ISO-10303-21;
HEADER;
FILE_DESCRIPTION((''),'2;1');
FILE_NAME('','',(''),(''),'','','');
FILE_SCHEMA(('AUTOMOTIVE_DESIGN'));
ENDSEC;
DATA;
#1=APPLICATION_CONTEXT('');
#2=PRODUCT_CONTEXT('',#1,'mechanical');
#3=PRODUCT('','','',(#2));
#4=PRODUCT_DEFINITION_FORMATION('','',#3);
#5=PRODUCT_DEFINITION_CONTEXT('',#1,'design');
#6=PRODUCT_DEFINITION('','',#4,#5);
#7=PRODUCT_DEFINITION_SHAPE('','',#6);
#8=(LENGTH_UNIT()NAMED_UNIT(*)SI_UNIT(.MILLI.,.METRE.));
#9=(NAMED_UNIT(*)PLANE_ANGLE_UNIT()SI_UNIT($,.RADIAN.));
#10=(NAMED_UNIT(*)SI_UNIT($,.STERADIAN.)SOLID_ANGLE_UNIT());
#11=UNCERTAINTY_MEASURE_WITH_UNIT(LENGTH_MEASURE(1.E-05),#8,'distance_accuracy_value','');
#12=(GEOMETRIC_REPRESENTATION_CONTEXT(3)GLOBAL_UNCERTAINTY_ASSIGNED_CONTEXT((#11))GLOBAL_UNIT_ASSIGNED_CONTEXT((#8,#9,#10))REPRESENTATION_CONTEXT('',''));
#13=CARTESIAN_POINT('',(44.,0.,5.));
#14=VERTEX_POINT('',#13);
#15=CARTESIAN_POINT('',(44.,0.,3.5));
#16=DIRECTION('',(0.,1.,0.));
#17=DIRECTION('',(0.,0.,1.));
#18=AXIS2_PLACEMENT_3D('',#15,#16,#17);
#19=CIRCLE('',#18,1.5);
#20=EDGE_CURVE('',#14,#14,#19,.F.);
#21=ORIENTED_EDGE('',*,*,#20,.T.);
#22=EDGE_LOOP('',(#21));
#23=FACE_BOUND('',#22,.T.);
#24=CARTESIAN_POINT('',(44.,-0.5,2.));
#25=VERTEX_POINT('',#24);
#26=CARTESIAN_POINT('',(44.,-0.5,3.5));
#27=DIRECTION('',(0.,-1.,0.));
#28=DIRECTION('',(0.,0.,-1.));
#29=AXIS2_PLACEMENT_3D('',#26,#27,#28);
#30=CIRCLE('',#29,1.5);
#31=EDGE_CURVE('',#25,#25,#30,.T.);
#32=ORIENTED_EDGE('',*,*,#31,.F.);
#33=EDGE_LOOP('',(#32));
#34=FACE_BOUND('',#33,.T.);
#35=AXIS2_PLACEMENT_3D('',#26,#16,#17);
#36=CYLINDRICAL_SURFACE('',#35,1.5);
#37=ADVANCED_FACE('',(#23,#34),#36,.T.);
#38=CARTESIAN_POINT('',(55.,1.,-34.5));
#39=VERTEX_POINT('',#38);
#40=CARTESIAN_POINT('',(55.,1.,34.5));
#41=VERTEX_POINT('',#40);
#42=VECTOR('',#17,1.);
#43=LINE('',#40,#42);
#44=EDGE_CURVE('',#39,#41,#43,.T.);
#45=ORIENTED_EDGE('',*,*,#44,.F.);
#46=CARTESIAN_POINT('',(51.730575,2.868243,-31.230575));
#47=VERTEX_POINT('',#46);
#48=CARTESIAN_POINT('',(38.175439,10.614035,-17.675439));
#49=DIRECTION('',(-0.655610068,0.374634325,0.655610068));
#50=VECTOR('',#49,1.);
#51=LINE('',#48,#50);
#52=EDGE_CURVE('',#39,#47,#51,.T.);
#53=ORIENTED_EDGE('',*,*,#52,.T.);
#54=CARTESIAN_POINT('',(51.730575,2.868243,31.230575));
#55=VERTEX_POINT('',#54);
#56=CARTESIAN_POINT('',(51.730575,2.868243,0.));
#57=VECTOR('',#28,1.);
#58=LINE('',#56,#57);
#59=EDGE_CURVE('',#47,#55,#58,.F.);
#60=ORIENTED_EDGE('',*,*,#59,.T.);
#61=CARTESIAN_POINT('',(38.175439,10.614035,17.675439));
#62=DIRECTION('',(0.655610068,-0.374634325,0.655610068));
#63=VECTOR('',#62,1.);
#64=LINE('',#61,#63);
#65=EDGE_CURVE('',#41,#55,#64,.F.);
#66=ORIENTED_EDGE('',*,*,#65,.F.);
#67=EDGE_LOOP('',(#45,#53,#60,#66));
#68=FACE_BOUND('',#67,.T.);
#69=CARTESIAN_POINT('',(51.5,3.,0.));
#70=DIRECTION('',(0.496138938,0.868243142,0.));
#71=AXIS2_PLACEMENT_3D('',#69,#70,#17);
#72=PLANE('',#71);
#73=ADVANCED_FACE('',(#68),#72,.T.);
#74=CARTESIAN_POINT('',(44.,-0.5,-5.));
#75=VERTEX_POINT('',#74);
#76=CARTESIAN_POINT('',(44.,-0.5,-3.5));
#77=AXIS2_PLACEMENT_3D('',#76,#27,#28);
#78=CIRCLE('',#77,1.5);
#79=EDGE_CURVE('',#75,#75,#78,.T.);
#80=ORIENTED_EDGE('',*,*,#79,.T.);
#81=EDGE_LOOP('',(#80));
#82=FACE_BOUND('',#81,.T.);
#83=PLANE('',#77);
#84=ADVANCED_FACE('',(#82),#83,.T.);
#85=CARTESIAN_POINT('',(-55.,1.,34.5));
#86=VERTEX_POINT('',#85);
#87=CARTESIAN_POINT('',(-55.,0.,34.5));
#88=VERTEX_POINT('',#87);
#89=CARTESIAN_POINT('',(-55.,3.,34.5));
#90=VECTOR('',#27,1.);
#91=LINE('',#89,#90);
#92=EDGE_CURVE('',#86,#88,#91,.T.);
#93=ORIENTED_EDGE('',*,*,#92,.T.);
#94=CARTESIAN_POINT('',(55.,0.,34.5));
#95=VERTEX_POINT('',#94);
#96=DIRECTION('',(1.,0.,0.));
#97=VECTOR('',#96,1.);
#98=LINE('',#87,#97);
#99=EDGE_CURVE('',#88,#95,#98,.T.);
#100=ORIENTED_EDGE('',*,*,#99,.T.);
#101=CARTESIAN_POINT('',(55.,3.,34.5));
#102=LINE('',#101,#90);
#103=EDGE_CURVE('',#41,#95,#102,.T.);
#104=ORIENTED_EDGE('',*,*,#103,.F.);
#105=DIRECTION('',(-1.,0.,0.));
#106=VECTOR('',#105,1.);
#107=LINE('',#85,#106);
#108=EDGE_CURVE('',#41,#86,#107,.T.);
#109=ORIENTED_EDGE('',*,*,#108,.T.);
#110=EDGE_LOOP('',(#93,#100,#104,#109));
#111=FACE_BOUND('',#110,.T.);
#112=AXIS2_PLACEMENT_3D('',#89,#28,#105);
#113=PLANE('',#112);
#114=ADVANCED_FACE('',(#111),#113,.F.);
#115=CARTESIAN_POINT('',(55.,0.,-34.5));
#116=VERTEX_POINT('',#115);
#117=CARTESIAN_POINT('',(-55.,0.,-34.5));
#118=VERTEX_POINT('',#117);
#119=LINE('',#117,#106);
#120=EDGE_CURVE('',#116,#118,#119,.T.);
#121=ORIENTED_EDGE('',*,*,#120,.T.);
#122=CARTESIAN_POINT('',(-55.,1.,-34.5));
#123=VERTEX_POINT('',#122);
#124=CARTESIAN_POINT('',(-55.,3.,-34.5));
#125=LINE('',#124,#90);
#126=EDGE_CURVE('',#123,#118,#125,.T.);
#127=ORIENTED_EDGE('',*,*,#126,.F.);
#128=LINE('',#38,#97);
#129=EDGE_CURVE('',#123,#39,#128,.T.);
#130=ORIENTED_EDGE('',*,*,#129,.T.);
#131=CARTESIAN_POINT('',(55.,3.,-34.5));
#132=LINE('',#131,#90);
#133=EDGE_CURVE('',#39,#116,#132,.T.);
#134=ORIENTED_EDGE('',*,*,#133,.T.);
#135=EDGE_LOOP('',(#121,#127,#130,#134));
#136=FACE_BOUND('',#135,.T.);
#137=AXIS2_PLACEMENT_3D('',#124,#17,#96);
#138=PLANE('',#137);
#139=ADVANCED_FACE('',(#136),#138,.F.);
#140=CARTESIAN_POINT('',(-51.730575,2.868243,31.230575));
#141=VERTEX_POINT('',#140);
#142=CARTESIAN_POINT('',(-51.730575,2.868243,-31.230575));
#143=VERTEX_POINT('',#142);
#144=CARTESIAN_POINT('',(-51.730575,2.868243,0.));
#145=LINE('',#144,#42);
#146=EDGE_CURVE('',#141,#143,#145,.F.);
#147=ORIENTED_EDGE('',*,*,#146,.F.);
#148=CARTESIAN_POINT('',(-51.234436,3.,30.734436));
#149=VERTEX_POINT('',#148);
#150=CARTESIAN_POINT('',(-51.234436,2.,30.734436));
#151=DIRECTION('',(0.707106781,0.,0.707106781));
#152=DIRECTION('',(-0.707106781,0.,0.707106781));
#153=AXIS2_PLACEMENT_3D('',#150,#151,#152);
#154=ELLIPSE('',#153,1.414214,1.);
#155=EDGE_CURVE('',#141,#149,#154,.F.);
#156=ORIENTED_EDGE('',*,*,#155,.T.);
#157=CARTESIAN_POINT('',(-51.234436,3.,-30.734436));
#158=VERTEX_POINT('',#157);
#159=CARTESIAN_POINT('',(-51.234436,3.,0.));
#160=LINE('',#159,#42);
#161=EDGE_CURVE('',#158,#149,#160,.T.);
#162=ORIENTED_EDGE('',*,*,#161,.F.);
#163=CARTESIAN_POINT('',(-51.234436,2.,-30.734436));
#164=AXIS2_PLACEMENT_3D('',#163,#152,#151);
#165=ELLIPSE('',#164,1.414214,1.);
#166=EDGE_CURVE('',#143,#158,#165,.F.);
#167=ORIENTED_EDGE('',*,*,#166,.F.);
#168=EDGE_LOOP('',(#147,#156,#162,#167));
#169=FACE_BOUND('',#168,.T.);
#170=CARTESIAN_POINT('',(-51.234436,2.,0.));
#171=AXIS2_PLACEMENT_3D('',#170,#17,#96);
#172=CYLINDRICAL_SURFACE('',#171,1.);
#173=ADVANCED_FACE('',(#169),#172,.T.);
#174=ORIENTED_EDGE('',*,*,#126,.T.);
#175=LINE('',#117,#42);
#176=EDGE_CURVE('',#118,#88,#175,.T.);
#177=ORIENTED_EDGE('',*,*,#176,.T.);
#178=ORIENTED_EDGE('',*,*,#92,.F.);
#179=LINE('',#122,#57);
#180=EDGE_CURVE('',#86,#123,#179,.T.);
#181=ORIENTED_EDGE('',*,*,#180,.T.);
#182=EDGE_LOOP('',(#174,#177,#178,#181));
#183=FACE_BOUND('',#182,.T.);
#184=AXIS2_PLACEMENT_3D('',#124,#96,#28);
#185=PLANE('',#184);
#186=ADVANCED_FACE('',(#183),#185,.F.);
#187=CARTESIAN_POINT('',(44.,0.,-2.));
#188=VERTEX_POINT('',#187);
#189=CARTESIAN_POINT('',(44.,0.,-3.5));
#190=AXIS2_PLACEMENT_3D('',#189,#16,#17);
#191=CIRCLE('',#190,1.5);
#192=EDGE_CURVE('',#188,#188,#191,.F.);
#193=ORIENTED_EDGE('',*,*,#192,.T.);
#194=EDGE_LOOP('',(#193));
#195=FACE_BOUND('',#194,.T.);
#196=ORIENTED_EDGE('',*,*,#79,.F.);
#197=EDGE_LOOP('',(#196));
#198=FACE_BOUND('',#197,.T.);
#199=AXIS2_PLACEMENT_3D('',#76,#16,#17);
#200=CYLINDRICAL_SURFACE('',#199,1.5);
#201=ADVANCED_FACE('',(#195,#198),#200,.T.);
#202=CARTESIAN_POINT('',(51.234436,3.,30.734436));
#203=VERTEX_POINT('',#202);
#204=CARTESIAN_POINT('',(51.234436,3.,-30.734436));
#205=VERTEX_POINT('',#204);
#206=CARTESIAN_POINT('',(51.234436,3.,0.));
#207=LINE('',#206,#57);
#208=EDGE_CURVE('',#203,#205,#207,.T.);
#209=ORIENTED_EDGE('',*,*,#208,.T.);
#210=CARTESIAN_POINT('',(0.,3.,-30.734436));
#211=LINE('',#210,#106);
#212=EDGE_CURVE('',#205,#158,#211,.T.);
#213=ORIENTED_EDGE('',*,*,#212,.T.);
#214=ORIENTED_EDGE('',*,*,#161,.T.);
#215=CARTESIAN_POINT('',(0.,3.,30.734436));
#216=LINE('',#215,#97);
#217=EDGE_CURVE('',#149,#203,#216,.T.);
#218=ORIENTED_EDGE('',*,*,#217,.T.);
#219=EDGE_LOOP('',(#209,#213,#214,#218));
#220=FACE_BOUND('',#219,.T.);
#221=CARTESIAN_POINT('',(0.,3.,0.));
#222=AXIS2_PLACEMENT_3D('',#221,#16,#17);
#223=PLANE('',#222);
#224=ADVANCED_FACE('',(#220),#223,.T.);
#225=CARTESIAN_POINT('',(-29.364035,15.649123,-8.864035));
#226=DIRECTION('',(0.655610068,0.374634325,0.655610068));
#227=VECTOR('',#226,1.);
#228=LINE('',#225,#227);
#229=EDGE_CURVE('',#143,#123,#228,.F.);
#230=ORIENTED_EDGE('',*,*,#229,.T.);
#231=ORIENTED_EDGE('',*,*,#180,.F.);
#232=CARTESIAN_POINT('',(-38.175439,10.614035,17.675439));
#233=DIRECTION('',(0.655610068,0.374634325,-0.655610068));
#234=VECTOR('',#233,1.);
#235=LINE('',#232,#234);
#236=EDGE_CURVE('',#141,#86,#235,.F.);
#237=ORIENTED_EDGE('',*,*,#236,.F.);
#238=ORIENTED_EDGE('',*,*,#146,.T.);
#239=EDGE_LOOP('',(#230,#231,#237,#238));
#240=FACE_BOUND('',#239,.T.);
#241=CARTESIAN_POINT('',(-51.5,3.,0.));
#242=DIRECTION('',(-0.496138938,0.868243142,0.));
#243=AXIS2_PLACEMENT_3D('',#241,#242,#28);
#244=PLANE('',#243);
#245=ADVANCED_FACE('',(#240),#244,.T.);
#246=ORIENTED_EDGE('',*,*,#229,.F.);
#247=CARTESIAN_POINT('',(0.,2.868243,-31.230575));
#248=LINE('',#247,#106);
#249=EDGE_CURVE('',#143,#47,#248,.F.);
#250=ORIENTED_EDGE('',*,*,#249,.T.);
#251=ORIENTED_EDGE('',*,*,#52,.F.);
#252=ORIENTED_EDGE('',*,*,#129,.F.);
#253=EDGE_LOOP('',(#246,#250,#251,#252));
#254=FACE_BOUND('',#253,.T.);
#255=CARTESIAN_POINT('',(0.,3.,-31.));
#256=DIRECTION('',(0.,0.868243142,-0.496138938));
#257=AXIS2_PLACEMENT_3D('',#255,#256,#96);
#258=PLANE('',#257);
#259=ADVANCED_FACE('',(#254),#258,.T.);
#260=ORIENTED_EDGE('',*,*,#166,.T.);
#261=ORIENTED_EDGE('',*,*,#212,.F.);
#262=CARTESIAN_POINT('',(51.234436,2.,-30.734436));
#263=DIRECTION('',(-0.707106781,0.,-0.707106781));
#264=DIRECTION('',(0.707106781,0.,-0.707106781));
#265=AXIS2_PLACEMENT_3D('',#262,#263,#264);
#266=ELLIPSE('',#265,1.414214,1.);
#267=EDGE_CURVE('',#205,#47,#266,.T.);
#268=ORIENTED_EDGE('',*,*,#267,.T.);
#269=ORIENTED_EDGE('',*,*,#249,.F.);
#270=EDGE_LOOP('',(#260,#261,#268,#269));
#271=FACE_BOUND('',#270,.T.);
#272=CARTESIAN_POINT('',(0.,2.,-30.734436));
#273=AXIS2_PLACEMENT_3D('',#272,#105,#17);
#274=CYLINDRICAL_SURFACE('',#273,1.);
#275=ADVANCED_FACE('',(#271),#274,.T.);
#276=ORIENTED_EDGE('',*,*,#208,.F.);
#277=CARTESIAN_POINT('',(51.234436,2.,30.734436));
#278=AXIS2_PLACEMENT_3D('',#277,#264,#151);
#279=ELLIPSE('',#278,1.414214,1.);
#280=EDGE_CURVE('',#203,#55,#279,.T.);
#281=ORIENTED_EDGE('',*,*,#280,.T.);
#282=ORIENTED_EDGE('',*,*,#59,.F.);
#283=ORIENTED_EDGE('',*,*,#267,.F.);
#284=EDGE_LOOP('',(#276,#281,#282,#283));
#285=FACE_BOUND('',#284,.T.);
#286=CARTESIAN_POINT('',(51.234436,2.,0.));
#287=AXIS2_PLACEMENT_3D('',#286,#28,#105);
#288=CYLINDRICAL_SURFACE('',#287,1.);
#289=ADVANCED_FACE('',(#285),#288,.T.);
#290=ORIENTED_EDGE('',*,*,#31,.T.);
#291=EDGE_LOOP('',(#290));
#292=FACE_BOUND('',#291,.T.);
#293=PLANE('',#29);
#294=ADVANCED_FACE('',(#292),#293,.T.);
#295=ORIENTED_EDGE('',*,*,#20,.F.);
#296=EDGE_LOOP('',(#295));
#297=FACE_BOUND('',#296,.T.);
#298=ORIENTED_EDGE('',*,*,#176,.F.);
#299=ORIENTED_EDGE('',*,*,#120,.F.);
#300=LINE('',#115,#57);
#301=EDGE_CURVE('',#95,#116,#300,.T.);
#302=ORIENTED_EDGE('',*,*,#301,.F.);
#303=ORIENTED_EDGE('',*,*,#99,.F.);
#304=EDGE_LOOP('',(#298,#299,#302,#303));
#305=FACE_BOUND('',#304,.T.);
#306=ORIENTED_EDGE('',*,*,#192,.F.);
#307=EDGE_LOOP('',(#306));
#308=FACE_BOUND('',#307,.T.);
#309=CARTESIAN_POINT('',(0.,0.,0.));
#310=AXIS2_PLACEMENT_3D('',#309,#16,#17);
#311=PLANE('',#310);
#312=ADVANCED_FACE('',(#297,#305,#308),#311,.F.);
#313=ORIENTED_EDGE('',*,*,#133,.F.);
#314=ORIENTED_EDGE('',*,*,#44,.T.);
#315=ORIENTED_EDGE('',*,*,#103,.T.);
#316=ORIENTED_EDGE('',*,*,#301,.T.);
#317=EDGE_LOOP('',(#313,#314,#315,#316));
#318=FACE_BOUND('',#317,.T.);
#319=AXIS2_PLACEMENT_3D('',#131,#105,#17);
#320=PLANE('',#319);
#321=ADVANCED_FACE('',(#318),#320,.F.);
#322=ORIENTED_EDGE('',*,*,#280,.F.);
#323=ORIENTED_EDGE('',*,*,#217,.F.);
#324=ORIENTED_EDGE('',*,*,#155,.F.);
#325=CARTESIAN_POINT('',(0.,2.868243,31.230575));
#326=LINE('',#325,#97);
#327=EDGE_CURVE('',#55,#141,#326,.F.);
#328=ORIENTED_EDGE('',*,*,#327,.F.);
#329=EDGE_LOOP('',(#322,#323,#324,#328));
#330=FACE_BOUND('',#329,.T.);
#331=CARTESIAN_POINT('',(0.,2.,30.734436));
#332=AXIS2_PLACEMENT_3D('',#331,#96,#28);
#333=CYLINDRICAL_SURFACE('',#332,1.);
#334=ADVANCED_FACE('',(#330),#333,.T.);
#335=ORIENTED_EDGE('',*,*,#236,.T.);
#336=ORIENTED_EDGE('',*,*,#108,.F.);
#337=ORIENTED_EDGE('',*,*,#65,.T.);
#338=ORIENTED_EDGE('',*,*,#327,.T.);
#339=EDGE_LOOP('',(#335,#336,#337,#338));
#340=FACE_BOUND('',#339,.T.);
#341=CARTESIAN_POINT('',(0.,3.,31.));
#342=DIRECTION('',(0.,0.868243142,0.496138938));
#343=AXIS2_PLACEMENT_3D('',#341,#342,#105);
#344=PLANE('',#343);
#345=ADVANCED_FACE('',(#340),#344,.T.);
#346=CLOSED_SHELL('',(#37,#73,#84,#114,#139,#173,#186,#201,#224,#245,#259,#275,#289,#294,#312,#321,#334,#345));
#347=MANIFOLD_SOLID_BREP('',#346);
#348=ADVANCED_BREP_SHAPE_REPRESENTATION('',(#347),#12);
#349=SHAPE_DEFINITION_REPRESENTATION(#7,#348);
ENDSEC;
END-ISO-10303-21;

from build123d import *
from OCP.BRepFilletAPI import BRepFilletAPI_MakeChamfer

# Parameters (mm, degrees)
SKETCH1_W           = 110
SKETCH1_H           = 69
BOSS_EXTRUDE1_DEPTH = 3
CHAMFER1_SIZE       = 2
CHAMFER1_SIZE2      = 3.5
FILLET1_R           = 1
SKETCH2_R           = 1.5
BOSS_EXTRUDE2_DEPTH = 0.5


with BuildPart() as part:
    # Sketch1 → Boss-Extrude1 (new body)
    with BuildSketch(Plane(origin=(0, 0, 0), x_dir=(1, 0, 0), z_dir=(0, 1, 0))):
        Rectangle(SKETCH1_W, SKETCH1_H)
    extrude(amount=BOSS_EXTRUDE1_DEPTH)

    # Chamfer1: one chamfer whose edges measure the first distance from different faces: ONE call of the kernel's chamfer builder (chamfer() names one face for all edges)
    chamfer1_edges_1 = [part.edges().sort_by_distance(p)[0] for p in [
        (-55, 3, 0),
    ]]
    chamfer1_side_1 = [part.faces().sort_by_distance(p)[0] for p in [
        (-55, 1.5, 0),
    ]]
    chamfer1_edges_2 = [part.edges().sort_by_distance(p)[0] for p in [
        (0, 3, 34.5),
    ]]
    chamfer1_side_2 = [part.faces().sort_by_distance(p)[0] for p in [
        (0, 1.5, 34.5),
    ]]
    chamfer1_edges_3 = [part.edges().sort_by_distance(p)[0] for p in [
        (55, 3, 0),
    ]]
    chamfer1_side_3 = [part.faces().sort_by_distance(p)[0] for p in [
        (55, 1.5, 0),
    ]]
    chamfer1_edges_4 = [part.edges().sort_by_distance(p)[0] for p in [
        (0, 3, -34.5),
    ]]
    chamfer1_side_4 = [part.faces().sort_by_distance(p)[0] for p in [
        (0, 1.5, -34.5),
    ]]
    chamfer1 = BRepFilletAPI_MakeChamfer(part.part.solid().wrapped)
    for e in chamfer1_edges_1:
        chamfer1.Add(CHAMFER1_SIZE, CHAMFER1_SIZE2, e.wrapped, chamfer1_side_1[0].wrapped)  # the first distance lies on this face
    for e in chamfer1_edges_2:
        chamfer1.Add(CHAMFER1_SIZE, CHAMFER1_SIZE2, e.wrapped, chamfer1_side_2[0].wrapped)  # the first distance lies on this face
    for e in chamfer1_edges_3:
        chamfer1.Add(CHAMFER1_SIZE, CHAMFER1_SIZE2, e.wrapped, chamfer1_side_3[0].wrapped)  # the first distance lies on this face
    for e in chamfer1_edges_4:
        chamfer1.Add(CHAMFER1_SIZE, CHAMFER1_SIZE2, e.wrapped, chamfer1_side_4[0].wrapped)  # the first distance lies on this face
    add(Compound.cast(chamfer1.Shape()), mode=Mode.REPLACE)

    # Fillet1
    fillet1_edges = [part.edges().sort_by_distance(p)[0] for p in [
        (51.5, 3, 0),
        (0, 3, -31),
        (-51.5, 3, 0),
        (0, 3, 31),
    ]]
    fillet(fillet1_edges, radius=FILLET1_R)

    # Sketch2 → Boss-Extrude2 (add)
    with BuildSketch(Plane.XZ):
        with Locations(Location((44, 3.5, 0), (0, 0, 90))):
            Circle(SKETCH2_R)
        with Locations(Location((44, -3.5, 0), (0, 0, 90))):
            Circle(SKETCH2_R)
    extrude(amount=BOSS_EXTRUDE2_DEPTH)


solid = part.part
